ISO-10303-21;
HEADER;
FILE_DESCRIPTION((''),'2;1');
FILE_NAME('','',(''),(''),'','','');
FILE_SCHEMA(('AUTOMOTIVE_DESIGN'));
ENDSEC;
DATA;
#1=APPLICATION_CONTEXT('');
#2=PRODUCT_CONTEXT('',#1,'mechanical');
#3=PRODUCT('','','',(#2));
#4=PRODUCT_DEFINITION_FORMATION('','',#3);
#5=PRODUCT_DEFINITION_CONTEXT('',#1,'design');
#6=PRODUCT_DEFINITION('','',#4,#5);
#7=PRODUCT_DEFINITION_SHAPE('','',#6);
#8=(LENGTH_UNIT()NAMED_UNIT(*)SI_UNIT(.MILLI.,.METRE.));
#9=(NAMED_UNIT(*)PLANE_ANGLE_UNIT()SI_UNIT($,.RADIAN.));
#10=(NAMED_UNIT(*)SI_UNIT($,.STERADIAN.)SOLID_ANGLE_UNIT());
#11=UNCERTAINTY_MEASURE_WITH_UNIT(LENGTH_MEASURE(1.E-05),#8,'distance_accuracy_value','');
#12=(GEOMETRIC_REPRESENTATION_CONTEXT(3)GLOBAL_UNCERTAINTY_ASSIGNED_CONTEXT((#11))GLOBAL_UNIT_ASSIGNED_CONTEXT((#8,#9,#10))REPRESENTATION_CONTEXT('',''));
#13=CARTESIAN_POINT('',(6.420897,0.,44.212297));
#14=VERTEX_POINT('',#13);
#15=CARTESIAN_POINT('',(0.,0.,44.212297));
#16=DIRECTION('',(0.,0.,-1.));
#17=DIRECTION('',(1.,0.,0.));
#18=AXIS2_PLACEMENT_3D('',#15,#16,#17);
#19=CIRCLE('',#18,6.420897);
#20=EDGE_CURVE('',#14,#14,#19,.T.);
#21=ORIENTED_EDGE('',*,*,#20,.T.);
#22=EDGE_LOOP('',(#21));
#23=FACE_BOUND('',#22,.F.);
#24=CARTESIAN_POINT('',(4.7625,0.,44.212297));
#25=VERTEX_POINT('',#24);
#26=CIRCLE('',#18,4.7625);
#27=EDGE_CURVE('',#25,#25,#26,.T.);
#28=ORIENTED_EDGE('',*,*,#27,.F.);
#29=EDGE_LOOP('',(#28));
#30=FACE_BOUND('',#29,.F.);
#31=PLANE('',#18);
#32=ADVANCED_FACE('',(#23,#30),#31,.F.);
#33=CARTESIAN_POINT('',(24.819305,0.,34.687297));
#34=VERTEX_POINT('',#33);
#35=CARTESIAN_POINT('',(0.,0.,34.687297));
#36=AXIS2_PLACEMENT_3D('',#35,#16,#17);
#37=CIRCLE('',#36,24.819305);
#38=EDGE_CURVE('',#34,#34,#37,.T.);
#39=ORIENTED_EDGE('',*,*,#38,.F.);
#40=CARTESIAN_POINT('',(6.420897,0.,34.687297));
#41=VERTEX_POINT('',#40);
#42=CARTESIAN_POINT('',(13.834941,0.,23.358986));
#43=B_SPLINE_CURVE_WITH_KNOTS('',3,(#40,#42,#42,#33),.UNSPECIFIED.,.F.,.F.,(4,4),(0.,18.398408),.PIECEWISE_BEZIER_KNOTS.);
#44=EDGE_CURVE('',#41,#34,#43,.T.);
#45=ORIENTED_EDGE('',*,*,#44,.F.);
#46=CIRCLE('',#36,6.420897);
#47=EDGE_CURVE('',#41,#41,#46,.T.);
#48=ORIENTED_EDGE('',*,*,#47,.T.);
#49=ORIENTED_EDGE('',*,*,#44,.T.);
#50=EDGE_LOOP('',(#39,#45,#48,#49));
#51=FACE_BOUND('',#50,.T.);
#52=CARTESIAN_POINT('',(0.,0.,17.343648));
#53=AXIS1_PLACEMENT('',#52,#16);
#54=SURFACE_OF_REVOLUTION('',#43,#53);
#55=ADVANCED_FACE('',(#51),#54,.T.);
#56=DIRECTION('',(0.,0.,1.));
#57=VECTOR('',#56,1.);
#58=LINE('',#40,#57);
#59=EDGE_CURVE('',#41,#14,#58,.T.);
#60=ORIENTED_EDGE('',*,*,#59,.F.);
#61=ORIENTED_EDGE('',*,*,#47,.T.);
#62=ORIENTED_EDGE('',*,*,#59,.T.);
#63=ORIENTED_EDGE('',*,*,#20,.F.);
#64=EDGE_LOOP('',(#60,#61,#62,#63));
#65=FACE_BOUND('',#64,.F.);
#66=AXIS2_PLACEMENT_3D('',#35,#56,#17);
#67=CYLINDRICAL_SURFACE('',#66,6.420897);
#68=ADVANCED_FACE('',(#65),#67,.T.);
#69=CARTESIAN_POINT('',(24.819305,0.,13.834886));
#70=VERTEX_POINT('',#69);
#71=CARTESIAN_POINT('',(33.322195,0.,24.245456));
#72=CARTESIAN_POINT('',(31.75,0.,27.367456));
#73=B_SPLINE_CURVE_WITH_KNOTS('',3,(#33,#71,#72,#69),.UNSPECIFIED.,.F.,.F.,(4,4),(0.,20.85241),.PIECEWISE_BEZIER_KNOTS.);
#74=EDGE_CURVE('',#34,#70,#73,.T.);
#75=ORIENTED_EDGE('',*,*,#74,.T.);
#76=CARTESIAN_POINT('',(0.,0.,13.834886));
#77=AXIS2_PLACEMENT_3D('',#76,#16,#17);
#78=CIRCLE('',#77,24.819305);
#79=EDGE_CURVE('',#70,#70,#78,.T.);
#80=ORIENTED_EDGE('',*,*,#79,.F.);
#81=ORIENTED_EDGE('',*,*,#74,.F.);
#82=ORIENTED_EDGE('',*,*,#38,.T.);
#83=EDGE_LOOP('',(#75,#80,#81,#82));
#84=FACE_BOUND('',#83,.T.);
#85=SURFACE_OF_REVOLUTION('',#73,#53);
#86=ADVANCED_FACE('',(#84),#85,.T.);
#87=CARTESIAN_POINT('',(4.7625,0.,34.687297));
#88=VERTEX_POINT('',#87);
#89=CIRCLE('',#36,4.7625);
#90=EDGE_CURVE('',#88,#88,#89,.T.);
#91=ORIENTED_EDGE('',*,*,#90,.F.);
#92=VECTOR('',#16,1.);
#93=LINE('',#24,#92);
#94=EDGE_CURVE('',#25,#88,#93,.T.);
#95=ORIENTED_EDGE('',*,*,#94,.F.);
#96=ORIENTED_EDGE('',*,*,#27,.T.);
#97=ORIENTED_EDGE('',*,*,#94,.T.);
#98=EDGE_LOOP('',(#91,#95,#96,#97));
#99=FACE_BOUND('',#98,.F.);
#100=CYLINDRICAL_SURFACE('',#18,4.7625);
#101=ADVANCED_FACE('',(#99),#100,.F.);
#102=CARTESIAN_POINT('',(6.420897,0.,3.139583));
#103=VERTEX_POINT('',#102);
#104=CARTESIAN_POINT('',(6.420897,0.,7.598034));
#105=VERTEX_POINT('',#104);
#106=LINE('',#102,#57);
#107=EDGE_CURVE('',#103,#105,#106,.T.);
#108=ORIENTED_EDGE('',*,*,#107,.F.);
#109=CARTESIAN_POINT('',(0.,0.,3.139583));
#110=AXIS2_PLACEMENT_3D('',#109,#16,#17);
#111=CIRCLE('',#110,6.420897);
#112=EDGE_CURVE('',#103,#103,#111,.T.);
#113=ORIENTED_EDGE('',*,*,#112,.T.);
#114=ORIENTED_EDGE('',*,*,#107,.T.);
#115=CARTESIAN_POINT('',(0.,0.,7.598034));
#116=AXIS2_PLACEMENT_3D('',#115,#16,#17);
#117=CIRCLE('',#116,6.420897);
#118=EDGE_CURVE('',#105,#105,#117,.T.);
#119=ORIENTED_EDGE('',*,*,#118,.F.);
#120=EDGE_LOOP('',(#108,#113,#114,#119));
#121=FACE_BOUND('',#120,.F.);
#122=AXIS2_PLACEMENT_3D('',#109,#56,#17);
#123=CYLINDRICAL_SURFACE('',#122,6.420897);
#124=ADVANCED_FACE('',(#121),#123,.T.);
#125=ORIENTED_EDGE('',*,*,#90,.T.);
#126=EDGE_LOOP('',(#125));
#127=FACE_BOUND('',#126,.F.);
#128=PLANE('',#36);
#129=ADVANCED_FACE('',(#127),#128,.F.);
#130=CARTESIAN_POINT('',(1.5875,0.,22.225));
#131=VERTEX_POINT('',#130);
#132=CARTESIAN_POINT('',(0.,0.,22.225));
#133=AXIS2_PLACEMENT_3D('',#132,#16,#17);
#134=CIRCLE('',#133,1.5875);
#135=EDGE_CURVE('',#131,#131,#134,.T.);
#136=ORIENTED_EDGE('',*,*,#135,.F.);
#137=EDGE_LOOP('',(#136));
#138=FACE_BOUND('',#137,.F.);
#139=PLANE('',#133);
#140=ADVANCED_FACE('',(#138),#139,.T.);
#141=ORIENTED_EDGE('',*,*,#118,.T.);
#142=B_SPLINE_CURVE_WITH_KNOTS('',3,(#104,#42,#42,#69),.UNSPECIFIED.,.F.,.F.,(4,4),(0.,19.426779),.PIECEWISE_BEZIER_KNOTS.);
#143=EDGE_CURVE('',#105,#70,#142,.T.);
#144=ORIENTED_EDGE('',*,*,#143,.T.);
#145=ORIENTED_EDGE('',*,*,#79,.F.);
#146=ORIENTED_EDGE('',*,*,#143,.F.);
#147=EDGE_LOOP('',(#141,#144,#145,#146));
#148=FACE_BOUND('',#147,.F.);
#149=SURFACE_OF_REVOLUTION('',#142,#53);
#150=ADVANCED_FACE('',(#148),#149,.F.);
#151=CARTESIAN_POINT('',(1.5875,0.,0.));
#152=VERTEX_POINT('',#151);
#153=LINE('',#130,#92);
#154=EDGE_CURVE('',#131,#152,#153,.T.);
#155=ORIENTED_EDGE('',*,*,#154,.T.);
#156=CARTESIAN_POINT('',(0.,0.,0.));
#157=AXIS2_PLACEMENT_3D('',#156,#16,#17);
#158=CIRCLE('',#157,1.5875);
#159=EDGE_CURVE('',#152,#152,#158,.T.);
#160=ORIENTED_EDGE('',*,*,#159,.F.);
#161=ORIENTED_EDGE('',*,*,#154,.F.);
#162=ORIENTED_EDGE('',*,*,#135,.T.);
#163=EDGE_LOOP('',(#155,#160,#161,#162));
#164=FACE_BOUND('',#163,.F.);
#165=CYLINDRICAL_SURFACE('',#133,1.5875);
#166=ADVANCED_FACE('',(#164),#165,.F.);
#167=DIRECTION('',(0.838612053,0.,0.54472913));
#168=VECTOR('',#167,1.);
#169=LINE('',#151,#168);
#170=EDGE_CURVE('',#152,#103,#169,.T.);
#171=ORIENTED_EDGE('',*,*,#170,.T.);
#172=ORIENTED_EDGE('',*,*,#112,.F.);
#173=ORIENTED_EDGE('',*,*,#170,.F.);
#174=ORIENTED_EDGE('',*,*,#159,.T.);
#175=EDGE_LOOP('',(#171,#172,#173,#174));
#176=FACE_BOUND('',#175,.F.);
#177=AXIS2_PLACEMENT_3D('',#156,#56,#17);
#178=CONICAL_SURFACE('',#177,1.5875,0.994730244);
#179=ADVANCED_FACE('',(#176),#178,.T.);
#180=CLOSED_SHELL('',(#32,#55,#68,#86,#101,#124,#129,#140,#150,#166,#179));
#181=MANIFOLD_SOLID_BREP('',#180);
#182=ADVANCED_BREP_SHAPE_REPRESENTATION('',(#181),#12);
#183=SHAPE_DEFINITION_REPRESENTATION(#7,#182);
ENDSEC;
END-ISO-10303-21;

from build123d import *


with BuildPart() as f1:
    # F0 (on Front) → F1 (revolve)
    with BuildSketch(Plane.XZ):
        with BuildLine():
            Line((0, 34.687297), (0, 22.225))
            Line((0, 22.225), (1.5875, 22.225))
            Line((1.5875, 22.225), (1.5875, 0))
            Line((1.5875, 0), (6.420897, 3.139583))
            Line((6.420897, 3.139583), (6.420897, 7.598034))
            add(Edge.make_bspline(
                [(6.420897, 7.598034), (13.834941, 23.358986), (13.834941, 23.358986), (24.819305, 13.834886)],
                knots=[0, 0, 0, 0, 19.426779, 19.426779, 19.426779, 19.426779], degree=3))
            add(Edge.make_bspline(
                [(24.819305, 34.687297), (33.322195, 24.245456), (31.75, 27.367456), (24.819305, 13.834886)],
                knots=[0, 0, 0, 0, 20.85241, 20.85241, 20.85241, 20.85241], degree=3))
            add(Edge.make_bspline(
                [(6.420897, 34.687297), (13.834941, 23.358986), (13.834941, 23.358986), (24.819305, 34.687297)],
                knots=[0, 0, 0, 0, 18.398408, 18.398408, 18.398408, 18.398408], degree=3))
            Line((6.420897, 34.687297), (6.420897, 44.212297))
            Line((6.420897, 44.212297), (4.7625, 44.212297))
            Line((4.7625, 44.212297), (4.7625, 34.687297))
            Line((4.7625, 34.687297), (0, 34.687297))
        make_face()
    revolve(axis=Axis((0, 0, 17.343648), (0, 0, -1)))


solid = f1.part
